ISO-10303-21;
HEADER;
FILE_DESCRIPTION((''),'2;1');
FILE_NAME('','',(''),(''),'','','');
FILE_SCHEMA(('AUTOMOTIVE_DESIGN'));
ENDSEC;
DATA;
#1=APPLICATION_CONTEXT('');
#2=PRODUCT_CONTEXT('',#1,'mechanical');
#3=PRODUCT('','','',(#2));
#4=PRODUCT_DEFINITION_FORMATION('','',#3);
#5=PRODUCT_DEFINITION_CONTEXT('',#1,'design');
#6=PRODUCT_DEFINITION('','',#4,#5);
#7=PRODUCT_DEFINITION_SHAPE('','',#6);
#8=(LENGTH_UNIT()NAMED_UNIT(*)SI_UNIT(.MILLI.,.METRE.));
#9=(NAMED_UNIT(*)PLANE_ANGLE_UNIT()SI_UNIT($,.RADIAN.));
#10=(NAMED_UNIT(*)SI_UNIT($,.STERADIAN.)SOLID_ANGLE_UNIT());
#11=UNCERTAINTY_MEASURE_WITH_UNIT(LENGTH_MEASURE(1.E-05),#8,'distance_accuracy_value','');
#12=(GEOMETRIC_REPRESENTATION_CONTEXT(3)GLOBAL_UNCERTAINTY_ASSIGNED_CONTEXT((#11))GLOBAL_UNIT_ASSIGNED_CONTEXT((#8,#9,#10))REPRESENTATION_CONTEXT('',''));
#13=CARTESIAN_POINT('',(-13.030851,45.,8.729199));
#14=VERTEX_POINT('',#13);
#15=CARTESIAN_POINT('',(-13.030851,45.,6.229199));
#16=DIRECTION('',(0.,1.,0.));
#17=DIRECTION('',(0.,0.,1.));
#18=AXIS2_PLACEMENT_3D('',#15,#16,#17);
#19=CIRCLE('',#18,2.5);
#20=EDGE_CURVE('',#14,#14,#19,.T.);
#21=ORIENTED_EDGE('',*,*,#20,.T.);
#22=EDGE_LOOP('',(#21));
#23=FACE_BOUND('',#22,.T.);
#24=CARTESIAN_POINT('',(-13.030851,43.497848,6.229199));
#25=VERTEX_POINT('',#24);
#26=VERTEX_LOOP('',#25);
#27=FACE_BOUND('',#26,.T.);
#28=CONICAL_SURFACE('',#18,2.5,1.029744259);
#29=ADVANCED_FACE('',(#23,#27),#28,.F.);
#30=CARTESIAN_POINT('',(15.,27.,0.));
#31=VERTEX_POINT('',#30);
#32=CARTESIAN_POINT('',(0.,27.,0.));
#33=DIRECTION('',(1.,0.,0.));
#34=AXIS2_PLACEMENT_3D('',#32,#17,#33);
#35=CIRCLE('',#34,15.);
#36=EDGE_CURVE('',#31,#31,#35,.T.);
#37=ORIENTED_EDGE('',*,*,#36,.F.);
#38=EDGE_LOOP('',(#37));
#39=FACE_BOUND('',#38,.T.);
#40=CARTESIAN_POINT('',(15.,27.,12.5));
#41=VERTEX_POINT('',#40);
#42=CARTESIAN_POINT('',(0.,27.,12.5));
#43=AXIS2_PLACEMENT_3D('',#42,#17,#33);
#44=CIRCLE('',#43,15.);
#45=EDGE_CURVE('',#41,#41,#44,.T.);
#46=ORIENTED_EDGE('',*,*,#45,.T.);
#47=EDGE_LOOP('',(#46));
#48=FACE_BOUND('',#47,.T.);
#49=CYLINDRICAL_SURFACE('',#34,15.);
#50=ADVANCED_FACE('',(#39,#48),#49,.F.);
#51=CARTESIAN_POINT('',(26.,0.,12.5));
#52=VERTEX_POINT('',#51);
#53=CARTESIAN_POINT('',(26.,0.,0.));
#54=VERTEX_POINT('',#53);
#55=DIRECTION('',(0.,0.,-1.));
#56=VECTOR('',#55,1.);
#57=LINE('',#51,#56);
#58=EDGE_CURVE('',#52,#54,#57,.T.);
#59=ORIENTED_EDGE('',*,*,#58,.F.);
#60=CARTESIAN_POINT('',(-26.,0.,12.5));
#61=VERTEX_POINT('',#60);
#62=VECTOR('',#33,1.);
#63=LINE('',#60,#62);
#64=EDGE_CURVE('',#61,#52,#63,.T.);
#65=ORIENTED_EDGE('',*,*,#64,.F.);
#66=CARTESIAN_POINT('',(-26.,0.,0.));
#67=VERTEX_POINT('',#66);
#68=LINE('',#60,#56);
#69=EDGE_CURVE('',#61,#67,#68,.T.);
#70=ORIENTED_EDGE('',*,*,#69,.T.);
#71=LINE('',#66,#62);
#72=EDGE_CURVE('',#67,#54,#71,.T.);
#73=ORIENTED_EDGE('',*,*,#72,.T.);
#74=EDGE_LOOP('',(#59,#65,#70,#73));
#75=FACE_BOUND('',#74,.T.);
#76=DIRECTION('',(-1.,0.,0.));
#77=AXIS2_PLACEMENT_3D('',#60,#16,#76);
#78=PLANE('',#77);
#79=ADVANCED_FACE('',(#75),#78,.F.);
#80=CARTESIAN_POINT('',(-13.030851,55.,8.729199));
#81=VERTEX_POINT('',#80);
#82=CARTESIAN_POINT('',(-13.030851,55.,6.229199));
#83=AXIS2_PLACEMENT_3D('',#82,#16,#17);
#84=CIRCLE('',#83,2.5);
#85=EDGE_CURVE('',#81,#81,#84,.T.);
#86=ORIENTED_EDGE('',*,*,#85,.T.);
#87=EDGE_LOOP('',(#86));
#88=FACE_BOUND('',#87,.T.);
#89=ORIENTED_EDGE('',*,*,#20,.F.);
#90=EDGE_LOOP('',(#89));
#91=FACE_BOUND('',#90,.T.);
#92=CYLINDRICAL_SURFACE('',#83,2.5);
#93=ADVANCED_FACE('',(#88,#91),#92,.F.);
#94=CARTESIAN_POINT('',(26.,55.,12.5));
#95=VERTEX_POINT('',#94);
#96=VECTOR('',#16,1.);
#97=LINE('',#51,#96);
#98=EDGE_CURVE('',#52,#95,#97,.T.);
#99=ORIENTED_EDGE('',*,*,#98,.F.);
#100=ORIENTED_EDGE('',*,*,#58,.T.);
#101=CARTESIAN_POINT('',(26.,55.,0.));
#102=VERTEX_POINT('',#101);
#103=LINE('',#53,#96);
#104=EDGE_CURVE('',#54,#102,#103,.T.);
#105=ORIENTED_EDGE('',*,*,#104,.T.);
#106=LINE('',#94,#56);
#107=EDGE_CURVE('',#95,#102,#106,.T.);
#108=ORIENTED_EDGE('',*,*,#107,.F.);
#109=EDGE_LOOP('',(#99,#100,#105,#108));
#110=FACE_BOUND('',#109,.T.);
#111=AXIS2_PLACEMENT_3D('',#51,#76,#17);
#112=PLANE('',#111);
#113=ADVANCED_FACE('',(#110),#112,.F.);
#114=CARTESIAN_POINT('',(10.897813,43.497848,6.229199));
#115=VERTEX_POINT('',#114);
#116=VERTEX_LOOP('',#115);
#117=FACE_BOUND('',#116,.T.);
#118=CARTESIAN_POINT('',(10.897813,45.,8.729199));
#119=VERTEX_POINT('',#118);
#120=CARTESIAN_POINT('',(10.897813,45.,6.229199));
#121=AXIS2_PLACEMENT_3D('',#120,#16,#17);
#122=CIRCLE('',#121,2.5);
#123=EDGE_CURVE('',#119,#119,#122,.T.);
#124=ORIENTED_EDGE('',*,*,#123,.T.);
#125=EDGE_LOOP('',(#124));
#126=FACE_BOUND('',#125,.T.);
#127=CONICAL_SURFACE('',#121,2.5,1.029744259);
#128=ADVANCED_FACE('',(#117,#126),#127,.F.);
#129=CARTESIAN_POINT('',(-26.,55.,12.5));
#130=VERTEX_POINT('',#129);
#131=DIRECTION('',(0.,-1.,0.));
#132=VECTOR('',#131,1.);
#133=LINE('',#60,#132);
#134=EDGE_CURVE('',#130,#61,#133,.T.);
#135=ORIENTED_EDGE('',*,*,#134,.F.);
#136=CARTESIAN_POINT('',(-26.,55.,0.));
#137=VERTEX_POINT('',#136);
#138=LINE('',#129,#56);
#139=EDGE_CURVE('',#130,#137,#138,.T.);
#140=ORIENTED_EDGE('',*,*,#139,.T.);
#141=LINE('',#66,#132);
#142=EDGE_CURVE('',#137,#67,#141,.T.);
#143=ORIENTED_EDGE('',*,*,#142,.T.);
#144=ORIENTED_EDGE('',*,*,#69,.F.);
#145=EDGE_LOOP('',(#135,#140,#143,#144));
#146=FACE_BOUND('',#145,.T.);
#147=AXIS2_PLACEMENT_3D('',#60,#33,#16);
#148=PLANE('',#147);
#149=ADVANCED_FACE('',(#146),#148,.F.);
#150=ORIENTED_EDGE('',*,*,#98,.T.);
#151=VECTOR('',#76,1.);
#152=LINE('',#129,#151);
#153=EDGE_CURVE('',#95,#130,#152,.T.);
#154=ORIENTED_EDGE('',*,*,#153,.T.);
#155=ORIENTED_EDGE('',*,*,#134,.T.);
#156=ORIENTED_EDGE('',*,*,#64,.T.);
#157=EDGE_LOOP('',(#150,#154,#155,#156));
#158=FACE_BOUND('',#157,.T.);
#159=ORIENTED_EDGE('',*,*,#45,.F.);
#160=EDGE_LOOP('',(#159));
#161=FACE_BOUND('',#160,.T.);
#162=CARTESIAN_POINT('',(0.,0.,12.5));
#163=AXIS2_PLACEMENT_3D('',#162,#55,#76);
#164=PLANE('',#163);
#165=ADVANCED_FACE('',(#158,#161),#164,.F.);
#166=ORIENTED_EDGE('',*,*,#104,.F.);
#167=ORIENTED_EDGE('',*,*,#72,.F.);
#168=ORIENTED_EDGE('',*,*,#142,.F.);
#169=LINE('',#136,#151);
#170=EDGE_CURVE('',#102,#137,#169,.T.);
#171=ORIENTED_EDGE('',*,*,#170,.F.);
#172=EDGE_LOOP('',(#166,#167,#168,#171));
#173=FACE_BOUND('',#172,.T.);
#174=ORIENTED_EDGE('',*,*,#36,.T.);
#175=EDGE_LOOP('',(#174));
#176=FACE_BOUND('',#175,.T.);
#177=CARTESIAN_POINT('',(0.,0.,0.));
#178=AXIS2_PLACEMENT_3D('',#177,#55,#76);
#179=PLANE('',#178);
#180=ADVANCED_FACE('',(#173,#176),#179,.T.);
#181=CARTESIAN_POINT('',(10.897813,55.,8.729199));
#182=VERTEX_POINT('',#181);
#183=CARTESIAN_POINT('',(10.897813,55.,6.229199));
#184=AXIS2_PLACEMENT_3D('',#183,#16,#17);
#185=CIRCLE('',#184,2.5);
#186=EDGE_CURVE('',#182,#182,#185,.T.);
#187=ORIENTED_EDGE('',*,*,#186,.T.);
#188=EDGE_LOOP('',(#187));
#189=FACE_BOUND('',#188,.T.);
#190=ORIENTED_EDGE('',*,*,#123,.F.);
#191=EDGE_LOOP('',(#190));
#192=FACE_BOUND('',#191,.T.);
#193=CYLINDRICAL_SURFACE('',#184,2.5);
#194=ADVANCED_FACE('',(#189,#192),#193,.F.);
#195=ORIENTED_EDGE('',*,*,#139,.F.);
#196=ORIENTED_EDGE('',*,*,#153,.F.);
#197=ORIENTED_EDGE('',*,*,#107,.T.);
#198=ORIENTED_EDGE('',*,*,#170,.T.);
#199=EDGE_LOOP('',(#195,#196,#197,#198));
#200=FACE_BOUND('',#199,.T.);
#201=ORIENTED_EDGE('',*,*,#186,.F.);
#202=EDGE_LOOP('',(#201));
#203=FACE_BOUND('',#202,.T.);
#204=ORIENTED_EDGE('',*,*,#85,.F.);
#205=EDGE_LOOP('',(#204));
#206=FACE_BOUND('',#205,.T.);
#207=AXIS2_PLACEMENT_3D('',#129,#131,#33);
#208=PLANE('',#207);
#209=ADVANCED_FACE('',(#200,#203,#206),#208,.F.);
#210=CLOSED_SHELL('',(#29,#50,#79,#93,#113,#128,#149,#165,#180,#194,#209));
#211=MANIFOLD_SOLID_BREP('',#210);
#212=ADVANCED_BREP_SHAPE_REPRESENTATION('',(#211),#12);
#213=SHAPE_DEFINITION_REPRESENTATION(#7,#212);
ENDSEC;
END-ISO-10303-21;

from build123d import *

# Parameters (mm, degrees)
SKETCH1_W                 = 52
SKETCH1_H                 = 55
BOSS_EXTRUDE1_DEPTH       = 12.5
SKETCH2_R                 = 15
CUT_EXTRUDE2_DEPTH        = 13.5
F_5_0MM_DOWEL_HOLE1_D     = 5
F_5_0MM_DOWEL_HOLE1_DEPTH = 10
F_5_0MM_DOWEL_HOLE1_TIP   = 1.502151548


with BuildPart() as part:
    # Sketch1 → Boss-Extrude1 (new body)
    with BuildSketch(Plane.XY):
        with Locations((0, 27.5)):
            Rectangle(SKETCH1_W, SKETCH1_H)
    extrude(amount=BOSS_EXTRUDE1_DEPTH)

    # Sketch2 → Cut-Extrude2 (cut, through all)
    with BuildSketch(Plane.XY.offset(12.5)):
        with Locations((0, 27)):
            Circle(SKETCH2_R)
    extrude(amount=-CUT_EXTRUDE2_DEPTH, mode=Mode.SUBTRACT)

    # Ø5.0mm Dowel Hole1
    with Locations(Plane(origin=(0, 55, 0), x_dir=(1, 0, 0), z_dir=(0, 1, 0))):
        with Locations((-13.030851483, -6.229198753), (10.897813178, -6.229198753)):
            Hole(F_5_0MM_DOWEL_HOLE1_D / 2, depth=F_5_0MM_DOWEL_HOLE1_DEPTH)
            with Locations((0, 0, -(F_5_0MM_DOWEL_HOLE1_DEPTH + F_5_0MM_DOWEL_HOLE1_TIP / 2))):  # 118° drill point
                Cone(0, F_5_0MM_DOWEL_HOLE1_D / 2, F_5_0MM_DOWEL_HOLE1_TIP, mode=Mode.SUBTRACT)


solid = part.part
